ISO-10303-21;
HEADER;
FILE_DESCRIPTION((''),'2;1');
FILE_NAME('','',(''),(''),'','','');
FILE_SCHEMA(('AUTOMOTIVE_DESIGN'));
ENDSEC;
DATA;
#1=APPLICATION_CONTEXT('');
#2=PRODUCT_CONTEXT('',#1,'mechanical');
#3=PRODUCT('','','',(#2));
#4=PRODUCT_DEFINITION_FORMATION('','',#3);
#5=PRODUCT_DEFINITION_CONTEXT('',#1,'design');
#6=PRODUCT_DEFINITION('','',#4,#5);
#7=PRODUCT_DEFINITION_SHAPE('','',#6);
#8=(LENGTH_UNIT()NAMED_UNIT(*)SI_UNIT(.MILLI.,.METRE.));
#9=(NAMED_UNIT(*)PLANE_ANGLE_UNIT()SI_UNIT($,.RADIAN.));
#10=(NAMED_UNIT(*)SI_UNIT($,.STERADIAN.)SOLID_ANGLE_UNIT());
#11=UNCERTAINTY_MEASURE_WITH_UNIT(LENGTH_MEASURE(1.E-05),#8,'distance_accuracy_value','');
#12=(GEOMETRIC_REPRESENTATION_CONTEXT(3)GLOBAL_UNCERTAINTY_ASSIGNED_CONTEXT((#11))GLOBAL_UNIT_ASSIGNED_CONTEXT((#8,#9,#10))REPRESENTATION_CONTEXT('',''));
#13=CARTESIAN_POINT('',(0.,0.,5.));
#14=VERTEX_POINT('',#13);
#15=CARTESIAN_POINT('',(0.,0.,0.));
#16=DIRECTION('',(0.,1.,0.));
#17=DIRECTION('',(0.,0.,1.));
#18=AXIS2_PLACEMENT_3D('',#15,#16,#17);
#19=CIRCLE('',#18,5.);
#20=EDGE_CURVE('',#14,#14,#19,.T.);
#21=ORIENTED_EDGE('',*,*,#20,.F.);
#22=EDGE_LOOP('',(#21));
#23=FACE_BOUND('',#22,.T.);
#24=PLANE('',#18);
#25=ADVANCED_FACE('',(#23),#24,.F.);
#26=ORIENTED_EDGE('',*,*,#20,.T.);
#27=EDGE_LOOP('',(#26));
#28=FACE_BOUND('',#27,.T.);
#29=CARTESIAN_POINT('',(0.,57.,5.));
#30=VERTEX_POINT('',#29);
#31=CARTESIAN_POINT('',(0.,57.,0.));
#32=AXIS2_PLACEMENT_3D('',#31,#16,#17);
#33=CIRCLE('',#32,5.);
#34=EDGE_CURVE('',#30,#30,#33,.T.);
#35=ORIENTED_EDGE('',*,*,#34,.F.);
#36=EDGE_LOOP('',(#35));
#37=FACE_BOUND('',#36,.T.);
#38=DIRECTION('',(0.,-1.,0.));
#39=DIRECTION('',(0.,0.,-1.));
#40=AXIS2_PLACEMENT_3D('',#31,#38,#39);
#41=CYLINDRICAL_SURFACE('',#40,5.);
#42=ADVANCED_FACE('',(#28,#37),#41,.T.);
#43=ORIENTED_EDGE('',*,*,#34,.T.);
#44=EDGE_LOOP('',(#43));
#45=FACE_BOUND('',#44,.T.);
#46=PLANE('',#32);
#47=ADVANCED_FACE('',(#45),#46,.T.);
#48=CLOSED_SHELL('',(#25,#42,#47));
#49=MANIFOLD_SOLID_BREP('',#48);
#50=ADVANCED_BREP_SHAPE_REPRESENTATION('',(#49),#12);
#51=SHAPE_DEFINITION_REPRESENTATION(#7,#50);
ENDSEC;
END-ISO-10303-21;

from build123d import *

# Parameters (mm, degrees)
IZIM1_R                     = 5
Y_KSEKLIK_EKSTR_ZYON1_DEPTH = 57


with BuildPart() as part:
    # Çizim1 → Yükseklik-Ekstrüzyon1 (new body)
    with BuildSketch(Plane(origin=(0, 0, 0), x_dir=(1, 0, 0), z_dir=(0, 1, 0))):
        Circle(IZIM1_R)
    extrude(amount=Y_KSEKLIK_EKSTR_ZYON1_DEPTH)


solid = part.part
